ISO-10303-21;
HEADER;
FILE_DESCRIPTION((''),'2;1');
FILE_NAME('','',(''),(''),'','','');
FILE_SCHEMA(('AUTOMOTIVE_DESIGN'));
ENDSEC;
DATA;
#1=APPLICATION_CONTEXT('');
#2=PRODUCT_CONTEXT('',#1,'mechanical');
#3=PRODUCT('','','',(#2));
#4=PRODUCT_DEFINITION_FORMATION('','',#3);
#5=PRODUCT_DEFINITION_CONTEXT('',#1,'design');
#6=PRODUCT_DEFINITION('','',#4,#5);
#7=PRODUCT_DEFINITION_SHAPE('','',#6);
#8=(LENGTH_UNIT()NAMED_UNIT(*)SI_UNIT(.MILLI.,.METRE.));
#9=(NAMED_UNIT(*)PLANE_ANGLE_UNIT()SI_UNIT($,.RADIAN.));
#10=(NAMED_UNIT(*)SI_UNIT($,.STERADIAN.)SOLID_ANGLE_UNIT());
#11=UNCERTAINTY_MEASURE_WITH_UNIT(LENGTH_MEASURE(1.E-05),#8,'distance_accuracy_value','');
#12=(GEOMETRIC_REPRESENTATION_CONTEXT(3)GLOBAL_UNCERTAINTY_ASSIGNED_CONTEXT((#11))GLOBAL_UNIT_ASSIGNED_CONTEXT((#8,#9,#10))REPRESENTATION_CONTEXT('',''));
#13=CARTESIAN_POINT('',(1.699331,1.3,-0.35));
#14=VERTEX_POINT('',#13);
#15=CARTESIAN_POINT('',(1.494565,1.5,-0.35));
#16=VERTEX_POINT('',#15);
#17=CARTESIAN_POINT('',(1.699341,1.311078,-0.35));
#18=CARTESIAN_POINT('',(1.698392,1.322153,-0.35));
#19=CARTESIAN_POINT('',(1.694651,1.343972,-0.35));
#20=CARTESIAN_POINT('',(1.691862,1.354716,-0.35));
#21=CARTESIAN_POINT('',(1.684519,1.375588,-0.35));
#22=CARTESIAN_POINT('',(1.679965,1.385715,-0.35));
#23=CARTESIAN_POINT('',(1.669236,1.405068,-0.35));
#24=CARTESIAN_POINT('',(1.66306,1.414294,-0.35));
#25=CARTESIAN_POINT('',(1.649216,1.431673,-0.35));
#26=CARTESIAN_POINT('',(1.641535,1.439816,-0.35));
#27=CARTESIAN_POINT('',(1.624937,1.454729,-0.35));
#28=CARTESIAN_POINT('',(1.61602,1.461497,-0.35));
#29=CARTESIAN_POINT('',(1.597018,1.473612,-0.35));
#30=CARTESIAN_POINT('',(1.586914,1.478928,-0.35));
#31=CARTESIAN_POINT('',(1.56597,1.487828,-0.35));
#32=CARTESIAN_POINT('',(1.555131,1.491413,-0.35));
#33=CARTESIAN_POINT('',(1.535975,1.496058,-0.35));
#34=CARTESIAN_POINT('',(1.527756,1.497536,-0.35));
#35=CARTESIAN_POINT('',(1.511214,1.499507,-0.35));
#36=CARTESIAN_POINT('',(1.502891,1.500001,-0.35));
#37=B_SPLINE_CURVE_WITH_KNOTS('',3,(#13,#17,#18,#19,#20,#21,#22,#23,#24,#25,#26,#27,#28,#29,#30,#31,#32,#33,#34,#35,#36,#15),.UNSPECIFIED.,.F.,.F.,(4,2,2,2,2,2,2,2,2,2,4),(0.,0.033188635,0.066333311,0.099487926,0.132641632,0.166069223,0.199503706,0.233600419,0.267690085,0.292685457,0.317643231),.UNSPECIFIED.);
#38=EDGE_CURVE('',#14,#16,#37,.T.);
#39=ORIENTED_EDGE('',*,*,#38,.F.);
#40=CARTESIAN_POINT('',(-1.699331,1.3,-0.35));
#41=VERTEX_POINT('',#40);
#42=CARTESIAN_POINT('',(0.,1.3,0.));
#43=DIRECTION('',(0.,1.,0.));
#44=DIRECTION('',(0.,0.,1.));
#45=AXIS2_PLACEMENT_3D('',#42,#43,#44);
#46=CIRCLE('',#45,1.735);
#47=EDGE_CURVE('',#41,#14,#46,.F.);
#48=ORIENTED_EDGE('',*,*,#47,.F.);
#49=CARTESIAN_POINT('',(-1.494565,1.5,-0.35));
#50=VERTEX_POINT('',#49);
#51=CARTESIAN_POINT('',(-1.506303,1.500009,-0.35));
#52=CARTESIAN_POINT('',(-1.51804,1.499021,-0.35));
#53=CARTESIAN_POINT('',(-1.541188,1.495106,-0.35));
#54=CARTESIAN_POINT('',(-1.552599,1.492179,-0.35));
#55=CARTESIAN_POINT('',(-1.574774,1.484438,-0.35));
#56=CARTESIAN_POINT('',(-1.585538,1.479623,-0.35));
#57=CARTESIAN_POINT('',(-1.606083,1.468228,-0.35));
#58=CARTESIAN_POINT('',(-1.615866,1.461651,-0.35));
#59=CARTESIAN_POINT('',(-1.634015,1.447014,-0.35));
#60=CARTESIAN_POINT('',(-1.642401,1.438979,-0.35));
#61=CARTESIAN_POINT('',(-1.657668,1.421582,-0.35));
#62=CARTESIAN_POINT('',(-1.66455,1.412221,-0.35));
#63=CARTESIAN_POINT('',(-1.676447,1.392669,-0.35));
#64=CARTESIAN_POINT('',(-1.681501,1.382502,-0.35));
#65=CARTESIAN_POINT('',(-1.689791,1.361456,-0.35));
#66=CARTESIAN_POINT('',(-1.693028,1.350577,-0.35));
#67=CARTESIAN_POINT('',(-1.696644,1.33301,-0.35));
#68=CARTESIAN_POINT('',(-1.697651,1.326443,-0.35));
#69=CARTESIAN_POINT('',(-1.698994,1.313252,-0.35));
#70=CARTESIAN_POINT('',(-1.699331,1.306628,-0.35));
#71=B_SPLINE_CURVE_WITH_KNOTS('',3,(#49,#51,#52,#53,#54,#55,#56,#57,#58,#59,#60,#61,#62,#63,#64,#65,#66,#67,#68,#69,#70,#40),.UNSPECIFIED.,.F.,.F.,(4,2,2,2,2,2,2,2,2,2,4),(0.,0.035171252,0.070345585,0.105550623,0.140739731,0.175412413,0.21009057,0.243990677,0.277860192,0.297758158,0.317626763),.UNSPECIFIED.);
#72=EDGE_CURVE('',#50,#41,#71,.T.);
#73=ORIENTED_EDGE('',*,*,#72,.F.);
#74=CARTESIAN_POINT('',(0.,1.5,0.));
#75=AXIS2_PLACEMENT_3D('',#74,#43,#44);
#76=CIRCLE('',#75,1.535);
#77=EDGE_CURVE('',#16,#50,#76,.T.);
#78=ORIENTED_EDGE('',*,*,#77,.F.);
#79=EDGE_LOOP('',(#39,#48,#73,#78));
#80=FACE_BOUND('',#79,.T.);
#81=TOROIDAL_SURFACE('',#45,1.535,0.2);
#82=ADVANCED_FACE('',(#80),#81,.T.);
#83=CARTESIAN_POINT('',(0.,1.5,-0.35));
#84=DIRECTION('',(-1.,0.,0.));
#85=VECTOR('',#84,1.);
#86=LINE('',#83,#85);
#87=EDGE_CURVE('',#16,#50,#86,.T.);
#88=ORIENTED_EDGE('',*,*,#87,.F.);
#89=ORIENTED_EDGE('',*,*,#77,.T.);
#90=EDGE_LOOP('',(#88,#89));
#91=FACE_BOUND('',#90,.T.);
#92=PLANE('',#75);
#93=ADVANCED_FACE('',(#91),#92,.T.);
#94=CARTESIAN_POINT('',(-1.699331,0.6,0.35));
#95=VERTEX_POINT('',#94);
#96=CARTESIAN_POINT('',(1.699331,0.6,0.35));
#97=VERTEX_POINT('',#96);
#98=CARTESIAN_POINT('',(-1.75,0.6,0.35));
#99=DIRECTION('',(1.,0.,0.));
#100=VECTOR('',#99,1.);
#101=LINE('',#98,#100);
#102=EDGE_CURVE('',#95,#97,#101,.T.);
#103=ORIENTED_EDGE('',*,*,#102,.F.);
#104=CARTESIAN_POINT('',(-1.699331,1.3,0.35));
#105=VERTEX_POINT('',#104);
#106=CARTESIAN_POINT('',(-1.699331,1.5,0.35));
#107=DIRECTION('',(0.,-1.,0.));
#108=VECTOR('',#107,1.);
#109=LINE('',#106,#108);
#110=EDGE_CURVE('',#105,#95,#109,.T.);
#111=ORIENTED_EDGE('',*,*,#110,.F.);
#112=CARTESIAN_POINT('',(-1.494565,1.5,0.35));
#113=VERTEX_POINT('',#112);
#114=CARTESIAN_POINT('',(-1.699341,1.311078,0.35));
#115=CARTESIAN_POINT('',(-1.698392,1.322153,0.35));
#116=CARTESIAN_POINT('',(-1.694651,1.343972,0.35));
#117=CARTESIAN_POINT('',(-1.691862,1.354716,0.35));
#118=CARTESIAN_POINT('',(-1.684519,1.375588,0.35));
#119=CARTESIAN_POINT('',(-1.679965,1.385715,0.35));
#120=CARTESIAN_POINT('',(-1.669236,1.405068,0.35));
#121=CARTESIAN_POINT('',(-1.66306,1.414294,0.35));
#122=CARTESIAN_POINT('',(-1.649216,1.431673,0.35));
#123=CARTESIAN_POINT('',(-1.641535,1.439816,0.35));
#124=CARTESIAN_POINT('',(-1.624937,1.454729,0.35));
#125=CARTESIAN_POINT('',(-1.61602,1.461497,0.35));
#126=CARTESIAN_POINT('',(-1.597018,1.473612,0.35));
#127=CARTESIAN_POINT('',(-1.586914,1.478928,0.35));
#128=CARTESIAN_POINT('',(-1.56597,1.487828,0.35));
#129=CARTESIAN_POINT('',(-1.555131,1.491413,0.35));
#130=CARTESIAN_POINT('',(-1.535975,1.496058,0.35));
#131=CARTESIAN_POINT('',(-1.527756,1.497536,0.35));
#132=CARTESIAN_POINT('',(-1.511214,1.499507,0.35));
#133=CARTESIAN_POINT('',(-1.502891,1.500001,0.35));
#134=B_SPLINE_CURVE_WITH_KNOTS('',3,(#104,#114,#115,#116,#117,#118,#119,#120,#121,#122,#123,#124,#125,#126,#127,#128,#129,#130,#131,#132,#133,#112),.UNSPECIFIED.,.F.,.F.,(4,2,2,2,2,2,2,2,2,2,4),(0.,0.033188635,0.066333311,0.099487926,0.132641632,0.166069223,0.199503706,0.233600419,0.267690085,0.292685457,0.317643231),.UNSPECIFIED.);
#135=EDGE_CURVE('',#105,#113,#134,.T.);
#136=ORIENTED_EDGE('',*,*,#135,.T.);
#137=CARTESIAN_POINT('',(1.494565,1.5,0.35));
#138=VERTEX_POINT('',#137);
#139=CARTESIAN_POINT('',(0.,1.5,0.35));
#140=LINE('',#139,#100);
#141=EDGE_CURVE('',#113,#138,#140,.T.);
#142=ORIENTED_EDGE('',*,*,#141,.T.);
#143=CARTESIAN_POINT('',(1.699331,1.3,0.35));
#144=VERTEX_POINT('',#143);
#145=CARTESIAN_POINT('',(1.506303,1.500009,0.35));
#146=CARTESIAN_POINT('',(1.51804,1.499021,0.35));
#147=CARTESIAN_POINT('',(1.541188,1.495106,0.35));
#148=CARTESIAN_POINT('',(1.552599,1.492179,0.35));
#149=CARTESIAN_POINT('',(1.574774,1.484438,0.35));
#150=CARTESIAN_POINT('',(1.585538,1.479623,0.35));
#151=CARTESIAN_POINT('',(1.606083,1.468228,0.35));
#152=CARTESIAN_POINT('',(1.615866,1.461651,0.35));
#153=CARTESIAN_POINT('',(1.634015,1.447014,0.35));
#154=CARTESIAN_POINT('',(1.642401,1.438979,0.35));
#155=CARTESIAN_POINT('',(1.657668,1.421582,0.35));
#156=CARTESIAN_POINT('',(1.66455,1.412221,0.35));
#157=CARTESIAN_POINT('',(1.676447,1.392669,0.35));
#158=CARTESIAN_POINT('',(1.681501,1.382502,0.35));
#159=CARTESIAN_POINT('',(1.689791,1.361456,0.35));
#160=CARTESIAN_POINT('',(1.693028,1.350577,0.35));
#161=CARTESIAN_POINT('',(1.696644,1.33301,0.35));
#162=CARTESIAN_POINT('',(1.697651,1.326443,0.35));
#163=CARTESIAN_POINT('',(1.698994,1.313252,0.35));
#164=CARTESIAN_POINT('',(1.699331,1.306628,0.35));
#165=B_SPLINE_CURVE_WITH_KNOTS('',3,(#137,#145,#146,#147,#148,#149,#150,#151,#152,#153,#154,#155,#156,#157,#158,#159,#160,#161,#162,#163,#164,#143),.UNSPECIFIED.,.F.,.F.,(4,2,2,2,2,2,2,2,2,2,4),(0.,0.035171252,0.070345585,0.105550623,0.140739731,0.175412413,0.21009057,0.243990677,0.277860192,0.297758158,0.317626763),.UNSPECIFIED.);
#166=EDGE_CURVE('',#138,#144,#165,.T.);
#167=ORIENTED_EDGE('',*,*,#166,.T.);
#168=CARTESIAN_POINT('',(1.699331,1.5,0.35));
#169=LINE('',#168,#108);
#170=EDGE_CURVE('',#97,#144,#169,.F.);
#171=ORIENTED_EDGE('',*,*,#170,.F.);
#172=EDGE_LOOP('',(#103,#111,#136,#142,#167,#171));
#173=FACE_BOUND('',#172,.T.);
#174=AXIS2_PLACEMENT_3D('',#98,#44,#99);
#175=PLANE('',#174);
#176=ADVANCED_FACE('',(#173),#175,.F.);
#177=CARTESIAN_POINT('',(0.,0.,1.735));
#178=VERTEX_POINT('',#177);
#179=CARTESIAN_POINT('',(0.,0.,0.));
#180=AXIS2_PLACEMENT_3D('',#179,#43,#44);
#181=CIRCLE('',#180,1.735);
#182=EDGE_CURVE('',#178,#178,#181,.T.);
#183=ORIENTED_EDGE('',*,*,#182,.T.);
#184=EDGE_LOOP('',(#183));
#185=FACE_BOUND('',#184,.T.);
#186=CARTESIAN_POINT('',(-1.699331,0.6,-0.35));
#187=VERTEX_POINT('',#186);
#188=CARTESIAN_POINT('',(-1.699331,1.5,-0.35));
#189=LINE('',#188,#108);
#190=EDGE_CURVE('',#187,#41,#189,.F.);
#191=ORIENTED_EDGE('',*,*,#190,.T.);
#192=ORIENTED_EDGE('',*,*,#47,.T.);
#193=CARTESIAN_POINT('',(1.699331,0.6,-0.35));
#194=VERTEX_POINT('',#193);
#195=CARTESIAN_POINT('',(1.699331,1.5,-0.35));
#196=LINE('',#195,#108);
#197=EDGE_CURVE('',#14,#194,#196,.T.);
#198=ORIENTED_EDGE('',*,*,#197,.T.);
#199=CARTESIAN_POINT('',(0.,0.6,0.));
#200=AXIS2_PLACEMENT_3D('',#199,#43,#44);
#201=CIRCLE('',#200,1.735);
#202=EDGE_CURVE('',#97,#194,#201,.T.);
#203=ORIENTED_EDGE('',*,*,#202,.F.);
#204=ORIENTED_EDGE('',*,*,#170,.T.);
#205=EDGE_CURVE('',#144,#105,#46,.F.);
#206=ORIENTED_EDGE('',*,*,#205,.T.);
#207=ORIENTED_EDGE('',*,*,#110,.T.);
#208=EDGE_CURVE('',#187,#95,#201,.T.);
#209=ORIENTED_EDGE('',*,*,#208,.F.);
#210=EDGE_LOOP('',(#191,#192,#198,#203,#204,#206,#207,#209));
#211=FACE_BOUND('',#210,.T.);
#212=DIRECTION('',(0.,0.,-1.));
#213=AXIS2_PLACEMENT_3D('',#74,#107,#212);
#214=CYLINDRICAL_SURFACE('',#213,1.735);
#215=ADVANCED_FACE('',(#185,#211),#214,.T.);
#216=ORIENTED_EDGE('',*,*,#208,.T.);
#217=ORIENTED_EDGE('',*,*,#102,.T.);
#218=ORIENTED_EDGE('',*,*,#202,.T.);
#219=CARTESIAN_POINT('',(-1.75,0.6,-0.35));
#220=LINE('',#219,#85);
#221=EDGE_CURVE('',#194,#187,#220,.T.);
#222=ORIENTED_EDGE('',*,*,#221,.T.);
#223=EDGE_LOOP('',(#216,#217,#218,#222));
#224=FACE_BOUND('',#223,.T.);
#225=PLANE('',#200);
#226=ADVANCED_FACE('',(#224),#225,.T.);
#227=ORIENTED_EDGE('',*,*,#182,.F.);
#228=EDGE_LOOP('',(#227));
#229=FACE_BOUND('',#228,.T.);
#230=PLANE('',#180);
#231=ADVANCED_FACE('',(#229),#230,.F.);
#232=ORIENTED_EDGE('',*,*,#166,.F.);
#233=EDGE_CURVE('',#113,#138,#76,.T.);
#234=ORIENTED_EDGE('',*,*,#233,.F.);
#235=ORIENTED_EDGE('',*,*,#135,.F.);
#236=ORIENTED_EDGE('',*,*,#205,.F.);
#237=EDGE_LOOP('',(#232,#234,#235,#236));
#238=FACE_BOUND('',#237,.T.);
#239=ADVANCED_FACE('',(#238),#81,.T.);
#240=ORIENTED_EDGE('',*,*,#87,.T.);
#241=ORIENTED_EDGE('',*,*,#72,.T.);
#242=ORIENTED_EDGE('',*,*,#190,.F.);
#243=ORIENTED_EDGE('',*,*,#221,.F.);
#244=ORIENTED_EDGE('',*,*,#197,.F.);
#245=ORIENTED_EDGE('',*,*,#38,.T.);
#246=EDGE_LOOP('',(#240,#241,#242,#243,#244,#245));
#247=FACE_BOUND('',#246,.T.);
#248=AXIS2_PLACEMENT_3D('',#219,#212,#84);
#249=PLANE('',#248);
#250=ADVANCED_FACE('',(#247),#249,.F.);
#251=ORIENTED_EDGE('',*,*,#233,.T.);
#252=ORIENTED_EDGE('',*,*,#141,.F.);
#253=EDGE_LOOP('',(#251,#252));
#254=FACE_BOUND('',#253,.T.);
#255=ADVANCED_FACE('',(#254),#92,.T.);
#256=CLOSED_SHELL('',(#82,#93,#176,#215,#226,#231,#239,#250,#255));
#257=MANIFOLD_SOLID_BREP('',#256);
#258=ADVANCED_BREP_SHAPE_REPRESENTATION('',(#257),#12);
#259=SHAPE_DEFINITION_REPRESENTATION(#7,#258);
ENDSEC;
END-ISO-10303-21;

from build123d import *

# Parameters (mm, degrees)
SKETCH_1_R          = 1.735
EXTRUDE_1_DEPTH     = 1.5
SKETCH_2_W          = 3.5
SKETCH_2_H          = 0.7
CUT_EXTRUDE_1_DEPTH = 0.9
FILLET_2_R          = 0.2


with BuildPart() as part:
    # Эскиз1 → Бобышка-Вытянуть1 (new body)
    with BuildSketch(Plane(origin=(0, 0, 0), x_dir=(1, 0, 0), z_dir=(0, 1, 0))):
        with Locations(Location((0, 0, 0), (0, 0, 270))):
            Circle(SKETCH_1_R)
    extrude(amount=EXTRUDE_1_DEPTH)

    # Эскиз2 → Вырез-Вытянуть1 (cut)
    with BuildSketch(Plane(origin=(0, 1.5, 0), x_dir=(1, 0, 0), z_dir=(0, 1, 0))):
        Rectangle(SKETCH_2_W, SKETCH_2_H)
    extrude(amount=-CUT_EXTRUDE_1_DEPTH, mode=Mode.SUBTRACT)

    # Скругление2
    fillet_2_edges = [part.edges().sort_by_distance(p)[0] for p in [
        (0, 1.5, -1.735),
        (-1.096123852, 1.5, 1.344893118),
    ]]
    fillet(fillet_2_edges, radius=FILLET_2_R)


solid = part.part
